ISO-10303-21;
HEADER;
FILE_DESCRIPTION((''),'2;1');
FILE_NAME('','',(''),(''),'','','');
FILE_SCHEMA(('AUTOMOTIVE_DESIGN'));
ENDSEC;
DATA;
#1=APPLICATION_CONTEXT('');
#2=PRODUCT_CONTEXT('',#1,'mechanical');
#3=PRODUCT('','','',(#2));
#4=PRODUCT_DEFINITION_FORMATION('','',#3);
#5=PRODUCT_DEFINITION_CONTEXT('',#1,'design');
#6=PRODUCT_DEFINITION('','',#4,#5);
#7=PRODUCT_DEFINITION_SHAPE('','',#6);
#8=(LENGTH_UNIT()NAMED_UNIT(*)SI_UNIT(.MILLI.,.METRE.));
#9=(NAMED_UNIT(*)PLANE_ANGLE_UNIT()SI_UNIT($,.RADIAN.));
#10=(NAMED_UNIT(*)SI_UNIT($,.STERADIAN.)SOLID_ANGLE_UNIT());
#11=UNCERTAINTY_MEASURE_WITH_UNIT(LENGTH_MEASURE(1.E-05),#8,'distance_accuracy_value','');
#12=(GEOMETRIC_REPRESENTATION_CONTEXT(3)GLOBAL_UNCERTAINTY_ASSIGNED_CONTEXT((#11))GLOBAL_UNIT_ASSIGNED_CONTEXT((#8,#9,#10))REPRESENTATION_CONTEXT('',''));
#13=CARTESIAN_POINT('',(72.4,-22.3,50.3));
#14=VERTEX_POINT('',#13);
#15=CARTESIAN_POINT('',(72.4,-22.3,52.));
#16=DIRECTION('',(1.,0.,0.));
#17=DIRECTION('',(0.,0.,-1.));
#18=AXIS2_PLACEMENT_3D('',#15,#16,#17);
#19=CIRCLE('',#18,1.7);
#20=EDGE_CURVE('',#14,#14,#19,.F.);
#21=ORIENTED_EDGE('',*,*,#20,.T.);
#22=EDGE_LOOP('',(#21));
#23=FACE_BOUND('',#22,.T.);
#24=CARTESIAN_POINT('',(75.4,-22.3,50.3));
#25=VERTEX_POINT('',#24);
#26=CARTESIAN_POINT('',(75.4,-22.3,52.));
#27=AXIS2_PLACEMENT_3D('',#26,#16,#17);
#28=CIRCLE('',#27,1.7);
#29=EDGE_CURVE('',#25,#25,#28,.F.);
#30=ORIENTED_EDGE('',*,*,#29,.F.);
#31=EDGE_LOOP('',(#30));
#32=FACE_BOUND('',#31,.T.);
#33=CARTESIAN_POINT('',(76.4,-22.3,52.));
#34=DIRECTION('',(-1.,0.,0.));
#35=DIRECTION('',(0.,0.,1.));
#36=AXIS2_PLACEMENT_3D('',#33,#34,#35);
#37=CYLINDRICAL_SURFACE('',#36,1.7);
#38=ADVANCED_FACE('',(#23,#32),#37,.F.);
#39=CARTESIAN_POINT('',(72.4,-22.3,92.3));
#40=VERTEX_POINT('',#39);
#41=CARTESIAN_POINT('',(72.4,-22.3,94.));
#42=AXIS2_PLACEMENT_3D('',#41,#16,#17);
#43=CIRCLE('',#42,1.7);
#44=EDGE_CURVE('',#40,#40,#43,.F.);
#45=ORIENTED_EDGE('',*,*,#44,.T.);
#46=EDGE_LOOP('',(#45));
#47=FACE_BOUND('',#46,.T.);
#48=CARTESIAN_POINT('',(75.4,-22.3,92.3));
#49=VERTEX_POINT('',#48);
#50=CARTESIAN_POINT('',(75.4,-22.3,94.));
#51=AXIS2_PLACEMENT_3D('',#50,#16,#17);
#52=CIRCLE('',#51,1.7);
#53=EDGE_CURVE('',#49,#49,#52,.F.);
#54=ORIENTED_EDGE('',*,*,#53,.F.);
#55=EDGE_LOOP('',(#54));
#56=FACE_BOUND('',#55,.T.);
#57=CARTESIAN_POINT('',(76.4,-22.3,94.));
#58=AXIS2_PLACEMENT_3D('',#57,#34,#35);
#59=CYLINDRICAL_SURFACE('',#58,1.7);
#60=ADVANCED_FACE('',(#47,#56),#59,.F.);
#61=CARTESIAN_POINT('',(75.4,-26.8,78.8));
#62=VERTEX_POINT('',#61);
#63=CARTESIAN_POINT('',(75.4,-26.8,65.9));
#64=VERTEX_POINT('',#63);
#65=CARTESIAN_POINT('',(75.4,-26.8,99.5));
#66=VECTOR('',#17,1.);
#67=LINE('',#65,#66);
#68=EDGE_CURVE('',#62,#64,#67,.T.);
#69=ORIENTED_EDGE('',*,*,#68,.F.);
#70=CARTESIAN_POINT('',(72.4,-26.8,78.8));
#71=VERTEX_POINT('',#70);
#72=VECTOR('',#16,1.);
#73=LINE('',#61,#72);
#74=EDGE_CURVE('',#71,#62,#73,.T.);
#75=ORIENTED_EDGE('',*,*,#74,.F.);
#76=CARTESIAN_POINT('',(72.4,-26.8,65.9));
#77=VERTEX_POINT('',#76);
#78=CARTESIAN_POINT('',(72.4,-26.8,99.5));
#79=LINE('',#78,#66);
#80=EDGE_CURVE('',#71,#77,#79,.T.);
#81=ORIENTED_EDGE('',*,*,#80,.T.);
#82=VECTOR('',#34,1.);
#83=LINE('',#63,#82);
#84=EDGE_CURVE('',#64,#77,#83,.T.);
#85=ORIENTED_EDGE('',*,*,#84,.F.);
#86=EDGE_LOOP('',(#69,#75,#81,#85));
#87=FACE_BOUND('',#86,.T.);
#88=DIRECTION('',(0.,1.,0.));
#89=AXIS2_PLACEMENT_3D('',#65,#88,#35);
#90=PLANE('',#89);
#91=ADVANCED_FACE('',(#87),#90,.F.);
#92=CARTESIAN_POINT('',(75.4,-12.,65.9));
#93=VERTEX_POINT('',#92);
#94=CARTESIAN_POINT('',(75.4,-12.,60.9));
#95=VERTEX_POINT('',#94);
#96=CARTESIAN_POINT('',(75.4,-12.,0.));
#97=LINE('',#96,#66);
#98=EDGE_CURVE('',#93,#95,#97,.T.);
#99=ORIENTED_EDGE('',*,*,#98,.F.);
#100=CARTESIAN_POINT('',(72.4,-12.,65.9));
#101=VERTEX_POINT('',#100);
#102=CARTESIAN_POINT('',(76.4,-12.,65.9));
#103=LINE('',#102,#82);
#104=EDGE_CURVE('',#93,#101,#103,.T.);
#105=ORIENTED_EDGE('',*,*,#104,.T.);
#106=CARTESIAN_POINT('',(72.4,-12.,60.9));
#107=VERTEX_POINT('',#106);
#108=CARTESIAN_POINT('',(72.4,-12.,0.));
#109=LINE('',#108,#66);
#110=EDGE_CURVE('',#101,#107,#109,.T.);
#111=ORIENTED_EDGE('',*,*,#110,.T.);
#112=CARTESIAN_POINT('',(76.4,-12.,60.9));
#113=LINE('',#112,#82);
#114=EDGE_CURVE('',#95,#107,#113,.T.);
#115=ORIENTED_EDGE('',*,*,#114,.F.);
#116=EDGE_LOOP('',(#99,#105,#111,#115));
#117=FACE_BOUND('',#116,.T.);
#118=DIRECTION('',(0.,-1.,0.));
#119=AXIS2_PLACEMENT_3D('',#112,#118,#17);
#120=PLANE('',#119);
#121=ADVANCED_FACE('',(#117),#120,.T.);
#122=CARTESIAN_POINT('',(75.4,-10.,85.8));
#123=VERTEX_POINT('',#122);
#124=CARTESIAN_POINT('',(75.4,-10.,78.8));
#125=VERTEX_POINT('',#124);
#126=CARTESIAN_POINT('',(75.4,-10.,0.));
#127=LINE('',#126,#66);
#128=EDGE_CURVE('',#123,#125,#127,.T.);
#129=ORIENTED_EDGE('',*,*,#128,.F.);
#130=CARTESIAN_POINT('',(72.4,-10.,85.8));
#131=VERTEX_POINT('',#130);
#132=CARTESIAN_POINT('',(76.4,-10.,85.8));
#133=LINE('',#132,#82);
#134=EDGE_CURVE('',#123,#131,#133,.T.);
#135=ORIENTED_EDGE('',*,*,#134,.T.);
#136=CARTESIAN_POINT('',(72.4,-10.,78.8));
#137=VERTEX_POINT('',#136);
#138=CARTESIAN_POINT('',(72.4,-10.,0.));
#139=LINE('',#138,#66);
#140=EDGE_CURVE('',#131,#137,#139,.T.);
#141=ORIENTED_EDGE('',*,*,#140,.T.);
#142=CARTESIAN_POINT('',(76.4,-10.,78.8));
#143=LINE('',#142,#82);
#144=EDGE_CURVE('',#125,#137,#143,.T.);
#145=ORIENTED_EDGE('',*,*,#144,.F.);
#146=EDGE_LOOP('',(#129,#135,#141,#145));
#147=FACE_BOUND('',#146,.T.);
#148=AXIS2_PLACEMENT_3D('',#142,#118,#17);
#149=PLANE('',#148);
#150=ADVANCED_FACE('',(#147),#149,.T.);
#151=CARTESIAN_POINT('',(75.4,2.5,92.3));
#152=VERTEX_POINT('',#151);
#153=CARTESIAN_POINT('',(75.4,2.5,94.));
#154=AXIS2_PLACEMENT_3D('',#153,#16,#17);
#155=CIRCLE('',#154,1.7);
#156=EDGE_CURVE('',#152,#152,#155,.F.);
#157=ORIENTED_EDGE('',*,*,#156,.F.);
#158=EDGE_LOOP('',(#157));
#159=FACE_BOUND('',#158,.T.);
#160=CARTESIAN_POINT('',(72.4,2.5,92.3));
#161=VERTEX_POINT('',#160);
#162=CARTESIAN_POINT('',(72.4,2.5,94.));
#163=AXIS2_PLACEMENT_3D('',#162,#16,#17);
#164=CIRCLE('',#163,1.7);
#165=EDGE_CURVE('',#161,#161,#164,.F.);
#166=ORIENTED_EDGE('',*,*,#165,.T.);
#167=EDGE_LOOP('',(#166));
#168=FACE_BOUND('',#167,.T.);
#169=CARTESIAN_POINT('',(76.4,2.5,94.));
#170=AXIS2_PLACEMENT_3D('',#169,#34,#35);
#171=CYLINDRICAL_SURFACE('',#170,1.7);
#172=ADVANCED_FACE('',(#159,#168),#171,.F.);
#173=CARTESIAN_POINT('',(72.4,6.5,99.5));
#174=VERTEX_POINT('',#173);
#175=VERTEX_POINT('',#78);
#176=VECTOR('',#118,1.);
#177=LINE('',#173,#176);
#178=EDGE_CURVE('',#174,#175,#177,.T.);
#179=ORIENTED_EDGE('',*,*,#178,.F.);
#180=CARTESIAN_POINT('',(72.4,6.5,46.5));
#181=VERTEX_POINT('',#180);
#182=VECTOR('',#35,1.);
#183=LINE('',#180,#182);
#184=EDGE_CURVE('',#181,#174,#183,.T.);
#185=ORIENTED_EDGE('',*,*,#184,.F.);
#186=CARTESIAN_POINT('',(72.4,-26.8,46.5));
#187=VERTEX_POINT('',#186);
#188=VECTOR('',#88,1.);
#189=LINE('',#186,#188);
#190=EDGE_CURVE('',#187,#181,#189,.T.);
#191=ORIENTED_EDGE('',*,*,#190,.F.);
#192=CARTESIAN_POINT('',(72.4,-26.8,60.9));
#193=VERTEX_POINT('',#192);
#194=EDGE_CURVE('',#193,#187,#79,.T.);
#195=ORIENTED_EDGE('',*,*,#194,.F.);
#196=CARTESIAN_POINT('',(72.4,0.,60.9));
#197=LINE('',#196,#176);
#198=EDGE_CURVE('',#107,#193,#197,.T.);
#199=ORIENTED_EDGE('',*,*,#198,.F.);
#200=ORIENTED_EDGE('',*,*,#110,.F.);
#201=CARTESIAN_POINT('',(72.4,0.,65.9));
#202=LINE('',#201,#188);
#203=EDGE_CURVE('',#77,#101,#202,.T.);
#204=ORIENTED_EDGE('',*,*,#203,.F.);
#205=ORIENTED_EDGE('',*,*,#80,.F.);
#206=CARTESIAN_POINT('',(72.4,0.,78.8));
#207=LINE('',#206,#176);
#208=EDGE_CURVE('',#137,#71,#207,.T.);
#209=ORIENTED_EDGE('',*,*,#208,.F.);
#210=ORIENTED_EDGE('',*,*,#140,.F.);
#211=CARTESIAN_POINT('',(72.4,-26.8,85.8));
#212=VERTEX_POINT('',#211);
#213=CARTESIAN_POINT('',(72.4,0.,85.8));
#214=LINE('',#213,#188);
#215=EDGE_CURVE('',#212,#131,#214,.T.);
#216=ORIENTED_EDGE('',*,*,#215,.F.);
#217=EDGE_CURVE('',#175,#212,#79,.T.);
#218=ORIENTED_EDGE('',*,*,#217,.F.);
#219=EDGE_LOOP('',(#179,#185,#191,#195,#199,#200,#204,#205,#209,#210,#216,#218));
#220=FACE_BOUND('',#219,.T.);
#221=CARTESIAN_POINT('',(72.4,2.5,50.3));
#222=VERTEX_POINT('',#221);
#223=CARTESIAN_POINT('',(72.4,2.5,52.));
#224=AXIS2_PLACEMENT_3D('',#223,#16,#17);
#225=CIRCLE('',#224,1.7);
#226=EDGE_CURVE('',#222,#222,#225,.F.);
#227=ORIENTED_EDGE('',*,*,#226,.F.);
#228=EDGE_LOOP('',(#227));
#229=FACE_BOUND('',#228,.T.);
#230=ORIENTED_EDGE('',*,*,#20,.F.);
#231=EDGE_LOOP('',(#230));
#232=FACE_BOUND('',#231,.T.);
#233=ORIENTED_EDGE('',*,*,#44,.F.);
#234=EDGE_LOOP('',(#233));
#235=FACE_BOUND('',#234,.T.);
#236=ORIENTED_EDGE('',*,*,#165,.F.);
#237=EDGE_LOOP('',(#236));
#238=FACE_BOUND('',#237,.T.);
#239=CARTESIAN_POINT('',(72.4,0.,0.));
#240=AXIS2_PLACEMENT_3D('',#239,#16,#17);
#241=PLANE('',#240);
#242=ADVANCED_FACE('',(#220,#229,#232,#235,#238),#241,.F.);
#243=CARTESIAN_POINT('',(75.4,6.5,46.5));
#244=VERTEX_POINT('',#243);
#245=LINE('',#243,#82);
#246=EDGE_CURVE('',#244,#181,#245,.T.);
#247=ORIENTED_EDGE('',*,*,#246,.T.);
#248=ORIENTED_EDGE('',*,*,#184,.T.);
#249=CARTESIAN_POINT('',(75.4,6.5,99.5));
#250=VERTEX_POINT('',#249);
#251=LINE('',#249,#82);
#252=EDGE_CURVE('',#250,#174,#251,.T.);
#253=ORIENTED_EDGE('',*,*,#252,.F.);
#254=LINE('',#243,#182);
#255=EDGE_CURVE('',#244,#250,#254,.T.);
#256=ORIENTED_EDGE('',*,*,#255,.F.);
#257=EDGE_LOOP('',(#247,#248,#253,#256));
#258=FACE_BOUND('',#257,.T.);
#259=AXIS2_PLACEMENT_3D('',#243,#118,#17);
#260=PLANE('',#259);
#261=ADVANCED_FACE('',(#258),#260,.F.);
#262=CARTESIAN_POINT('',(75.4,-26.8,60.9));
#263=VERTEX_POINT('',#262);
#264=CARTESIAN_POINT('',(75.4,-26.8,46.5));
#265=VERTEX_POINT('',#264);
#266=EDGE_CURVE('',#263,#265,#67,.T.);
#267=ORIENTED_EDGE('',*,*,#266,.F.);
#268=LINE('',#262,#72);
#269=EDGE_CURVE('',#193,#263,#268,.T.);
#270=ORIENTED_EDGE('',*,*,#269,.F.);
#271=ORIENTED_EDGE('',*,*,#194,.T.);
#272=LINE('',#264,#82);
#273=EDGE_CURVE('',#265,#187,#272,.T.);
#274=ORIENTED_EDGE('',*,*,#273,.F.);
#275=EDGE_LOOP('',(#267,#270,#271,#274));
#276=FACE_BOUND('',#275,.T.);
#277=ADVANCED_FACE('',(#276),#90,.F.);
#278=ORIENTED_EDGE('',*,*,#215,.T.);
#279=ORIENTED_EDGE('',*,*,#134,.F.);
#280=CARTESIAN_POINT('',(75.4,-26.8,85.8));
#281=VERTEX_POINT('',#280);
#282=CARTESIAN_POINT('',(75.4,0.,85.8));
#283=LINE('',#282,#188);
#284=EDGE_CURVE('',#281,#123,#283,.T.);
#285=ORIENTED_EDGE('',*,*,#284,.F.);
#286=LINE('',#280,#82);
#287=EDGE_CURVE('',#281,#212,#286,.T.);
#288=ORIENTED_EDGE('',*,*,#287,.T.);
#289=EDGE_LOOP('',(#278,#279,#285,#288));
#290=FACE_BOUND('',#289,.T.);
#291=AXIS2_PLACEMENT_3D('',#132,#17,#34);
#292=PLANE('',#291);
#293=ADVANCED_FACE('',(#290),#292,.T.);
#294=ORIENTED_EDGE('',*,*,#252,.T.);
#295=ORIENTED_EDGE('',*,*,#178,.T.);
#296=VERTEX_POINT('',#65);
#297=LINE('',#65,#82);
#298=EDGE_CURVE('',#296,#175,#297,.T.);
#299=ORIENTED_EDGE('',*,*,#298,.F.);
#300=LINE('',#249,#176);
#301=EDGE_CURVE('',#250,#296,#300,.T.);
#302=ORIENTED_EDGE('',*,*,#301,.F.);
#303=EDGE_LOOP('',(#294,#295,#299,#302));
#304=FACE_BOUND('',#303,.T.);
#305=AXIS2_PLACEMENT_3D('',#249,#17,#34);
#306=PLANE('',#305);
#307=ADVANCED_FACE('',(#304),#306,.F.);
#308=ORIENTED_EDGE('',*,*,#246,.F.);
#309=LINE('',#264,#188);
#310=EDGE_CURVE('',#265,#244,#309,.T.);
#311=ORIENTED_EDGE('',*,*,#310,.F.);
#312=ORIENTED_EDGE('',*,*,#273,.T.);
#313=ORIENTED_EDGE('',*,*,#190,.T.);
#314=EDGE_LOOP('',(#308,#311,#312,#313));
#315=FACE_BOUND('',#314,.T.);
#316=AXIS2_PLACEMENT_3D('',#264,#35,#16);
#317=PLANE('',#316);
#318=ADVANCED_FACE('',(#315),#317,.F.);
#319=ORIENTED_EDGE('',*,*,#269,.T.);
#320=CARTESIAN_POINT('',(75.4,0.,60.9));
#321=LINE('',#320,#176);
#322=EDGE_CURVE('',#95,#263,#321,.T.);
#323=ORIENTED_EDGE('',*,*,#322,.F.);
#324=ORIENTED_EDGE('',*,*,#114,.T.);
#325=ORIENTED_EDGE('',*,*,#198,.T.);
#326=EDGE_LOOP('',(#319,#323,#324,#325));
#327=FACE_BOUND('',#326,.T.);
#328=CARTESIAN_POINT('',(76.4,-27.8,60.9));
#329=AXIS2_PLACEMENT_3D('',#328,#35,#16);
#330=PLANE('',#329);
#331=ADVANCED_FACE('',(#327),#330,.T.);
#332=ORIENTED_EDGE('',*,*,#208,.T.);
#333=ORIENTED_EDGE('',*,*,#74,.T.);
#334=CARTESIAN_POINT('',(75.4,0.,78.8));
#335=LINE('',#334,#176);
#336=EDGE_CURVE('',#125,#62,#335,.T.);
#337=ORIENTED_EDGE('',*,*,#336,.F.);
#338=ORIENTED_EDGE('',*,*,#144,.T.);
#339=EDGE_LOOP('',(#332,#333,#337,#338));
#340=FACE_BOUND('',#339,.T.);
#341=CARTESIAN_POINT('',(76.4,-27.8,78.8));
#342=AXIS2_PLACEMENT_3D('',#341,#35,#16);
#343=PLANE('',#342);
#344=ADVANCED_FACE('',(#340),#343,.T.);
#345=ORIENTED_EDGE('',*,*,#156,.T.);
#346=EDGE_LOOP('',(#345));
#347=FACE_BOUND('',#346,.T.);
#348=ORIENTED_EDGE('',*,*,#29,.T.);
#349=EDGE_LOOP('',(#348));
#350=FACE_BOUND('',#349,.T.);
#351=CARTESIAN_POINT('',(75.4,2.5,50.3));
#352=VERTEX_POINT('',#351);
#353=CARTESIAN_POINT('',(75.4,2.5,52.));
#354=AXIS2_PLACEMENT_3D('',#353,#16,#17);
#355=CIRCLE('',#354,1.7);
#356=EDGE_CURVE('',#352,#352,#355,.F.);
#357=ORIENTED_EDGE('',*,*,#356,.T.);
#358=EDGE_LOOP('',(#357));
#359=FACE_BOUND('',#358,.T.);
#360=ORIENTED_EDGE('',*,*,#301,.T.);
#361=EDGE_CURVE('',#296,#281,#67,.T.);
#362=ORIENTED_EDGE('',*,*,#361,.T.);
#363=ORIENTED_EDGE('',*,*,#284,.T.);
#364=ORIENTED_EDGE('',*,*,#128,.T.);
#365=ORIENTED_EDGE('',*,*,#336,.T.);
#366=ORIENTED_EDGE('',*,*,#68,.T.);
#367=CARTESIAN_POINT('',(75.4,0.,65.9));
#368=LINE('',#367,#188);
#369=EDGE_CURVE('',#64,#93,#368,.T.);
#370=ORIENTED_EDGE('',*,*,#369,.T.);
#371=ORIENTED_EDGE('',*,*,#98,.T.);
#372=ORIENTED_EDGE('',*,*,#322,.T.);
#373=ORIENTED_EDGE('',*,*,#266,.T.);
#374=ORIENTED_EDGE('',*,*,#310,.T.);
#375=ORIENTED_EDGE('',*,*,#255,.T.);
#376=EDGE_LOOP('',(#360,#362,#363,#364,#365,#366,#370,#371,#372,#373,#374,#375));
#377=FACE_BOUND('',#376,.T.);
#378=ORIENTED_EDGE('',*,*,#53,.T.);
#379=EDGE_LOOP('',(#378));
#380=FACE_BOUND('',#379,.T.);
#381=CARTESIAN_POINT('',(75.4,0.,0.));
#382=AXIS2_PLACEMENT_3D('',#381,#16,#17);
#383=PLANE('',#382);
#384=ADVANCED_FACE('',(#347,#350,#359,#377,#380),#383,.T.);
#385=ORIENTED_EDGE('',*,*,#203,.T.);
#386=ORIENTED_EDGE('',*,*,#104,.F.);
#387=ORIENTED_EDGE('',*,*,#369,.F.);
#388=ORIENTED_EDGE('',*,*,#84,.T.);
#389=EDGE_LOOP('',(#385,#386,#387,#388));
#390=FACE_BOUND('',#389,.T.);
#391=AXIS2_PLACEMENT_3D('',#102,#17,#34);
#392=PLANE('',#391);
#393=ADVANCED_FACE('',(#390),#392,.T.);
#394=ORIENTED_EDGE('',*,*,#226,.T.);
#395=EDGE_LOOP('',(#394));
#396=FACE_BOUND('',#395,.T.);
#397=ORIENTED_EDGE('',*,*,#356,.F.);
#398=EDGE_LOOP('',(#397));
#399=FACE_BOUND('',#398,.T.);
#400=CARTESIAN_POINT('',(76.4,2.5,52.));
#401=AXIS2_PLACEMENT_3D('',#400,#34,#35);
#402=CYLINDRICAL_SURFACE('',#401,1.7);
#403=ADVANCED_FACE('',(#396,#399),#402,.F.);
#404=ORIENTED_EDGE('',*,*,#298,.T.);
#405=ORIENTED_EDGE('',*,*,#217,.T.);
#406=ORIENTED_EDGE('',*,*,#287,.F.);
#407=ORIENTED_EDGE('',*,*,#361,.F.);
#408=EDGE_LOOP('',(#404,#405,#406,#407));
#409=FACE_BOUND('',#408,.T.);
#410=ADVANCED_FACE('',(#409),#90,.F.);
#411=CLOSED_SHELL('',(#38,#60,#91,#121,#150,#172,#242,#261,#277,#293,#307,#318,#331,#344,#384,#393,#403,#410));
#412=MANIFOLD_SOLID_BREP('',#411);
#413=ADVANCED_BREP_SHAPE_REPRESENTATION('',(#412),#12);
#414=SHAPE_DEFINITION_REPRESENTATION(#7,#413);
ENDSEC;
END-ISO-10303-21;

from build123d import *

# Parameters (mm, degrees)
SKETCH1_W           = 53
SKETCH1_H           = 33.3
COVER_PLATE_DEPTH   = 3
SKETCH2_W           = 7
SKETCH2_H           = 17.8
SKETCH2_W_2         = 5
SKETCH2_H_2         = 15.8
CABLE_NOTCHES_DEPTH = 5
SKETCH3_R           = 1.7
SCREW_HOLES_DEPTH   = 5


with BuildPart() as part:
    # Sketch1 → Cover Plate (new body)
    with BuildSketch(Plane(origin=(72.4, 0, 0), x_dir=(0, 0, -1), z_dir=(1, 0, 0))):
        with Locations((-73, -10.15)):
            Rectangle(SKETCH1_W, SKETCH1_H)
    extrude(amount=COVER_PLATE_DEPTH)

    # Sketch2 → Cable Notches (cut)
    with BuildSketch(Plane(origin=(71.4, 0, 0), x_dir=(0, 0, -1), z_dir=(1, 0, 0))):
        with Locations((-82.3, -18.9)):
            Rectangle(SKETCH2_W, SKETCH2_H)
        with Locations((-63.4, -19.9)):
            Rectangle(SKETCH2_W_2, SKETCH2_H_2)
    extrude(amount=CABLE_NOTCHES_DEPTH, mode=Mode.SUBTRACT)

    # Sketch3 → Screw Holes (cut)
    with BuildSketch(Plane(origin=(71.4, 0, 0), x_dir=(0, 0, -1), z_dir=(1, 0, 0))):
        with Locations((-94, -22.3)):
            Circle(SKETCH3_R)
        with Locations((-94, 2.5)):
            Circle(SKETCH3_R)
        with Locations((-52, -22.3)):
            Circle(SKETCH3_R)
        with Locations((-52, 2.5)):
            Circle(SKETCH3_R)
    extrude(amount=SCREW_HOLES_DEPTH, mode=Mode.SUBTRACT)


solid = part.part
